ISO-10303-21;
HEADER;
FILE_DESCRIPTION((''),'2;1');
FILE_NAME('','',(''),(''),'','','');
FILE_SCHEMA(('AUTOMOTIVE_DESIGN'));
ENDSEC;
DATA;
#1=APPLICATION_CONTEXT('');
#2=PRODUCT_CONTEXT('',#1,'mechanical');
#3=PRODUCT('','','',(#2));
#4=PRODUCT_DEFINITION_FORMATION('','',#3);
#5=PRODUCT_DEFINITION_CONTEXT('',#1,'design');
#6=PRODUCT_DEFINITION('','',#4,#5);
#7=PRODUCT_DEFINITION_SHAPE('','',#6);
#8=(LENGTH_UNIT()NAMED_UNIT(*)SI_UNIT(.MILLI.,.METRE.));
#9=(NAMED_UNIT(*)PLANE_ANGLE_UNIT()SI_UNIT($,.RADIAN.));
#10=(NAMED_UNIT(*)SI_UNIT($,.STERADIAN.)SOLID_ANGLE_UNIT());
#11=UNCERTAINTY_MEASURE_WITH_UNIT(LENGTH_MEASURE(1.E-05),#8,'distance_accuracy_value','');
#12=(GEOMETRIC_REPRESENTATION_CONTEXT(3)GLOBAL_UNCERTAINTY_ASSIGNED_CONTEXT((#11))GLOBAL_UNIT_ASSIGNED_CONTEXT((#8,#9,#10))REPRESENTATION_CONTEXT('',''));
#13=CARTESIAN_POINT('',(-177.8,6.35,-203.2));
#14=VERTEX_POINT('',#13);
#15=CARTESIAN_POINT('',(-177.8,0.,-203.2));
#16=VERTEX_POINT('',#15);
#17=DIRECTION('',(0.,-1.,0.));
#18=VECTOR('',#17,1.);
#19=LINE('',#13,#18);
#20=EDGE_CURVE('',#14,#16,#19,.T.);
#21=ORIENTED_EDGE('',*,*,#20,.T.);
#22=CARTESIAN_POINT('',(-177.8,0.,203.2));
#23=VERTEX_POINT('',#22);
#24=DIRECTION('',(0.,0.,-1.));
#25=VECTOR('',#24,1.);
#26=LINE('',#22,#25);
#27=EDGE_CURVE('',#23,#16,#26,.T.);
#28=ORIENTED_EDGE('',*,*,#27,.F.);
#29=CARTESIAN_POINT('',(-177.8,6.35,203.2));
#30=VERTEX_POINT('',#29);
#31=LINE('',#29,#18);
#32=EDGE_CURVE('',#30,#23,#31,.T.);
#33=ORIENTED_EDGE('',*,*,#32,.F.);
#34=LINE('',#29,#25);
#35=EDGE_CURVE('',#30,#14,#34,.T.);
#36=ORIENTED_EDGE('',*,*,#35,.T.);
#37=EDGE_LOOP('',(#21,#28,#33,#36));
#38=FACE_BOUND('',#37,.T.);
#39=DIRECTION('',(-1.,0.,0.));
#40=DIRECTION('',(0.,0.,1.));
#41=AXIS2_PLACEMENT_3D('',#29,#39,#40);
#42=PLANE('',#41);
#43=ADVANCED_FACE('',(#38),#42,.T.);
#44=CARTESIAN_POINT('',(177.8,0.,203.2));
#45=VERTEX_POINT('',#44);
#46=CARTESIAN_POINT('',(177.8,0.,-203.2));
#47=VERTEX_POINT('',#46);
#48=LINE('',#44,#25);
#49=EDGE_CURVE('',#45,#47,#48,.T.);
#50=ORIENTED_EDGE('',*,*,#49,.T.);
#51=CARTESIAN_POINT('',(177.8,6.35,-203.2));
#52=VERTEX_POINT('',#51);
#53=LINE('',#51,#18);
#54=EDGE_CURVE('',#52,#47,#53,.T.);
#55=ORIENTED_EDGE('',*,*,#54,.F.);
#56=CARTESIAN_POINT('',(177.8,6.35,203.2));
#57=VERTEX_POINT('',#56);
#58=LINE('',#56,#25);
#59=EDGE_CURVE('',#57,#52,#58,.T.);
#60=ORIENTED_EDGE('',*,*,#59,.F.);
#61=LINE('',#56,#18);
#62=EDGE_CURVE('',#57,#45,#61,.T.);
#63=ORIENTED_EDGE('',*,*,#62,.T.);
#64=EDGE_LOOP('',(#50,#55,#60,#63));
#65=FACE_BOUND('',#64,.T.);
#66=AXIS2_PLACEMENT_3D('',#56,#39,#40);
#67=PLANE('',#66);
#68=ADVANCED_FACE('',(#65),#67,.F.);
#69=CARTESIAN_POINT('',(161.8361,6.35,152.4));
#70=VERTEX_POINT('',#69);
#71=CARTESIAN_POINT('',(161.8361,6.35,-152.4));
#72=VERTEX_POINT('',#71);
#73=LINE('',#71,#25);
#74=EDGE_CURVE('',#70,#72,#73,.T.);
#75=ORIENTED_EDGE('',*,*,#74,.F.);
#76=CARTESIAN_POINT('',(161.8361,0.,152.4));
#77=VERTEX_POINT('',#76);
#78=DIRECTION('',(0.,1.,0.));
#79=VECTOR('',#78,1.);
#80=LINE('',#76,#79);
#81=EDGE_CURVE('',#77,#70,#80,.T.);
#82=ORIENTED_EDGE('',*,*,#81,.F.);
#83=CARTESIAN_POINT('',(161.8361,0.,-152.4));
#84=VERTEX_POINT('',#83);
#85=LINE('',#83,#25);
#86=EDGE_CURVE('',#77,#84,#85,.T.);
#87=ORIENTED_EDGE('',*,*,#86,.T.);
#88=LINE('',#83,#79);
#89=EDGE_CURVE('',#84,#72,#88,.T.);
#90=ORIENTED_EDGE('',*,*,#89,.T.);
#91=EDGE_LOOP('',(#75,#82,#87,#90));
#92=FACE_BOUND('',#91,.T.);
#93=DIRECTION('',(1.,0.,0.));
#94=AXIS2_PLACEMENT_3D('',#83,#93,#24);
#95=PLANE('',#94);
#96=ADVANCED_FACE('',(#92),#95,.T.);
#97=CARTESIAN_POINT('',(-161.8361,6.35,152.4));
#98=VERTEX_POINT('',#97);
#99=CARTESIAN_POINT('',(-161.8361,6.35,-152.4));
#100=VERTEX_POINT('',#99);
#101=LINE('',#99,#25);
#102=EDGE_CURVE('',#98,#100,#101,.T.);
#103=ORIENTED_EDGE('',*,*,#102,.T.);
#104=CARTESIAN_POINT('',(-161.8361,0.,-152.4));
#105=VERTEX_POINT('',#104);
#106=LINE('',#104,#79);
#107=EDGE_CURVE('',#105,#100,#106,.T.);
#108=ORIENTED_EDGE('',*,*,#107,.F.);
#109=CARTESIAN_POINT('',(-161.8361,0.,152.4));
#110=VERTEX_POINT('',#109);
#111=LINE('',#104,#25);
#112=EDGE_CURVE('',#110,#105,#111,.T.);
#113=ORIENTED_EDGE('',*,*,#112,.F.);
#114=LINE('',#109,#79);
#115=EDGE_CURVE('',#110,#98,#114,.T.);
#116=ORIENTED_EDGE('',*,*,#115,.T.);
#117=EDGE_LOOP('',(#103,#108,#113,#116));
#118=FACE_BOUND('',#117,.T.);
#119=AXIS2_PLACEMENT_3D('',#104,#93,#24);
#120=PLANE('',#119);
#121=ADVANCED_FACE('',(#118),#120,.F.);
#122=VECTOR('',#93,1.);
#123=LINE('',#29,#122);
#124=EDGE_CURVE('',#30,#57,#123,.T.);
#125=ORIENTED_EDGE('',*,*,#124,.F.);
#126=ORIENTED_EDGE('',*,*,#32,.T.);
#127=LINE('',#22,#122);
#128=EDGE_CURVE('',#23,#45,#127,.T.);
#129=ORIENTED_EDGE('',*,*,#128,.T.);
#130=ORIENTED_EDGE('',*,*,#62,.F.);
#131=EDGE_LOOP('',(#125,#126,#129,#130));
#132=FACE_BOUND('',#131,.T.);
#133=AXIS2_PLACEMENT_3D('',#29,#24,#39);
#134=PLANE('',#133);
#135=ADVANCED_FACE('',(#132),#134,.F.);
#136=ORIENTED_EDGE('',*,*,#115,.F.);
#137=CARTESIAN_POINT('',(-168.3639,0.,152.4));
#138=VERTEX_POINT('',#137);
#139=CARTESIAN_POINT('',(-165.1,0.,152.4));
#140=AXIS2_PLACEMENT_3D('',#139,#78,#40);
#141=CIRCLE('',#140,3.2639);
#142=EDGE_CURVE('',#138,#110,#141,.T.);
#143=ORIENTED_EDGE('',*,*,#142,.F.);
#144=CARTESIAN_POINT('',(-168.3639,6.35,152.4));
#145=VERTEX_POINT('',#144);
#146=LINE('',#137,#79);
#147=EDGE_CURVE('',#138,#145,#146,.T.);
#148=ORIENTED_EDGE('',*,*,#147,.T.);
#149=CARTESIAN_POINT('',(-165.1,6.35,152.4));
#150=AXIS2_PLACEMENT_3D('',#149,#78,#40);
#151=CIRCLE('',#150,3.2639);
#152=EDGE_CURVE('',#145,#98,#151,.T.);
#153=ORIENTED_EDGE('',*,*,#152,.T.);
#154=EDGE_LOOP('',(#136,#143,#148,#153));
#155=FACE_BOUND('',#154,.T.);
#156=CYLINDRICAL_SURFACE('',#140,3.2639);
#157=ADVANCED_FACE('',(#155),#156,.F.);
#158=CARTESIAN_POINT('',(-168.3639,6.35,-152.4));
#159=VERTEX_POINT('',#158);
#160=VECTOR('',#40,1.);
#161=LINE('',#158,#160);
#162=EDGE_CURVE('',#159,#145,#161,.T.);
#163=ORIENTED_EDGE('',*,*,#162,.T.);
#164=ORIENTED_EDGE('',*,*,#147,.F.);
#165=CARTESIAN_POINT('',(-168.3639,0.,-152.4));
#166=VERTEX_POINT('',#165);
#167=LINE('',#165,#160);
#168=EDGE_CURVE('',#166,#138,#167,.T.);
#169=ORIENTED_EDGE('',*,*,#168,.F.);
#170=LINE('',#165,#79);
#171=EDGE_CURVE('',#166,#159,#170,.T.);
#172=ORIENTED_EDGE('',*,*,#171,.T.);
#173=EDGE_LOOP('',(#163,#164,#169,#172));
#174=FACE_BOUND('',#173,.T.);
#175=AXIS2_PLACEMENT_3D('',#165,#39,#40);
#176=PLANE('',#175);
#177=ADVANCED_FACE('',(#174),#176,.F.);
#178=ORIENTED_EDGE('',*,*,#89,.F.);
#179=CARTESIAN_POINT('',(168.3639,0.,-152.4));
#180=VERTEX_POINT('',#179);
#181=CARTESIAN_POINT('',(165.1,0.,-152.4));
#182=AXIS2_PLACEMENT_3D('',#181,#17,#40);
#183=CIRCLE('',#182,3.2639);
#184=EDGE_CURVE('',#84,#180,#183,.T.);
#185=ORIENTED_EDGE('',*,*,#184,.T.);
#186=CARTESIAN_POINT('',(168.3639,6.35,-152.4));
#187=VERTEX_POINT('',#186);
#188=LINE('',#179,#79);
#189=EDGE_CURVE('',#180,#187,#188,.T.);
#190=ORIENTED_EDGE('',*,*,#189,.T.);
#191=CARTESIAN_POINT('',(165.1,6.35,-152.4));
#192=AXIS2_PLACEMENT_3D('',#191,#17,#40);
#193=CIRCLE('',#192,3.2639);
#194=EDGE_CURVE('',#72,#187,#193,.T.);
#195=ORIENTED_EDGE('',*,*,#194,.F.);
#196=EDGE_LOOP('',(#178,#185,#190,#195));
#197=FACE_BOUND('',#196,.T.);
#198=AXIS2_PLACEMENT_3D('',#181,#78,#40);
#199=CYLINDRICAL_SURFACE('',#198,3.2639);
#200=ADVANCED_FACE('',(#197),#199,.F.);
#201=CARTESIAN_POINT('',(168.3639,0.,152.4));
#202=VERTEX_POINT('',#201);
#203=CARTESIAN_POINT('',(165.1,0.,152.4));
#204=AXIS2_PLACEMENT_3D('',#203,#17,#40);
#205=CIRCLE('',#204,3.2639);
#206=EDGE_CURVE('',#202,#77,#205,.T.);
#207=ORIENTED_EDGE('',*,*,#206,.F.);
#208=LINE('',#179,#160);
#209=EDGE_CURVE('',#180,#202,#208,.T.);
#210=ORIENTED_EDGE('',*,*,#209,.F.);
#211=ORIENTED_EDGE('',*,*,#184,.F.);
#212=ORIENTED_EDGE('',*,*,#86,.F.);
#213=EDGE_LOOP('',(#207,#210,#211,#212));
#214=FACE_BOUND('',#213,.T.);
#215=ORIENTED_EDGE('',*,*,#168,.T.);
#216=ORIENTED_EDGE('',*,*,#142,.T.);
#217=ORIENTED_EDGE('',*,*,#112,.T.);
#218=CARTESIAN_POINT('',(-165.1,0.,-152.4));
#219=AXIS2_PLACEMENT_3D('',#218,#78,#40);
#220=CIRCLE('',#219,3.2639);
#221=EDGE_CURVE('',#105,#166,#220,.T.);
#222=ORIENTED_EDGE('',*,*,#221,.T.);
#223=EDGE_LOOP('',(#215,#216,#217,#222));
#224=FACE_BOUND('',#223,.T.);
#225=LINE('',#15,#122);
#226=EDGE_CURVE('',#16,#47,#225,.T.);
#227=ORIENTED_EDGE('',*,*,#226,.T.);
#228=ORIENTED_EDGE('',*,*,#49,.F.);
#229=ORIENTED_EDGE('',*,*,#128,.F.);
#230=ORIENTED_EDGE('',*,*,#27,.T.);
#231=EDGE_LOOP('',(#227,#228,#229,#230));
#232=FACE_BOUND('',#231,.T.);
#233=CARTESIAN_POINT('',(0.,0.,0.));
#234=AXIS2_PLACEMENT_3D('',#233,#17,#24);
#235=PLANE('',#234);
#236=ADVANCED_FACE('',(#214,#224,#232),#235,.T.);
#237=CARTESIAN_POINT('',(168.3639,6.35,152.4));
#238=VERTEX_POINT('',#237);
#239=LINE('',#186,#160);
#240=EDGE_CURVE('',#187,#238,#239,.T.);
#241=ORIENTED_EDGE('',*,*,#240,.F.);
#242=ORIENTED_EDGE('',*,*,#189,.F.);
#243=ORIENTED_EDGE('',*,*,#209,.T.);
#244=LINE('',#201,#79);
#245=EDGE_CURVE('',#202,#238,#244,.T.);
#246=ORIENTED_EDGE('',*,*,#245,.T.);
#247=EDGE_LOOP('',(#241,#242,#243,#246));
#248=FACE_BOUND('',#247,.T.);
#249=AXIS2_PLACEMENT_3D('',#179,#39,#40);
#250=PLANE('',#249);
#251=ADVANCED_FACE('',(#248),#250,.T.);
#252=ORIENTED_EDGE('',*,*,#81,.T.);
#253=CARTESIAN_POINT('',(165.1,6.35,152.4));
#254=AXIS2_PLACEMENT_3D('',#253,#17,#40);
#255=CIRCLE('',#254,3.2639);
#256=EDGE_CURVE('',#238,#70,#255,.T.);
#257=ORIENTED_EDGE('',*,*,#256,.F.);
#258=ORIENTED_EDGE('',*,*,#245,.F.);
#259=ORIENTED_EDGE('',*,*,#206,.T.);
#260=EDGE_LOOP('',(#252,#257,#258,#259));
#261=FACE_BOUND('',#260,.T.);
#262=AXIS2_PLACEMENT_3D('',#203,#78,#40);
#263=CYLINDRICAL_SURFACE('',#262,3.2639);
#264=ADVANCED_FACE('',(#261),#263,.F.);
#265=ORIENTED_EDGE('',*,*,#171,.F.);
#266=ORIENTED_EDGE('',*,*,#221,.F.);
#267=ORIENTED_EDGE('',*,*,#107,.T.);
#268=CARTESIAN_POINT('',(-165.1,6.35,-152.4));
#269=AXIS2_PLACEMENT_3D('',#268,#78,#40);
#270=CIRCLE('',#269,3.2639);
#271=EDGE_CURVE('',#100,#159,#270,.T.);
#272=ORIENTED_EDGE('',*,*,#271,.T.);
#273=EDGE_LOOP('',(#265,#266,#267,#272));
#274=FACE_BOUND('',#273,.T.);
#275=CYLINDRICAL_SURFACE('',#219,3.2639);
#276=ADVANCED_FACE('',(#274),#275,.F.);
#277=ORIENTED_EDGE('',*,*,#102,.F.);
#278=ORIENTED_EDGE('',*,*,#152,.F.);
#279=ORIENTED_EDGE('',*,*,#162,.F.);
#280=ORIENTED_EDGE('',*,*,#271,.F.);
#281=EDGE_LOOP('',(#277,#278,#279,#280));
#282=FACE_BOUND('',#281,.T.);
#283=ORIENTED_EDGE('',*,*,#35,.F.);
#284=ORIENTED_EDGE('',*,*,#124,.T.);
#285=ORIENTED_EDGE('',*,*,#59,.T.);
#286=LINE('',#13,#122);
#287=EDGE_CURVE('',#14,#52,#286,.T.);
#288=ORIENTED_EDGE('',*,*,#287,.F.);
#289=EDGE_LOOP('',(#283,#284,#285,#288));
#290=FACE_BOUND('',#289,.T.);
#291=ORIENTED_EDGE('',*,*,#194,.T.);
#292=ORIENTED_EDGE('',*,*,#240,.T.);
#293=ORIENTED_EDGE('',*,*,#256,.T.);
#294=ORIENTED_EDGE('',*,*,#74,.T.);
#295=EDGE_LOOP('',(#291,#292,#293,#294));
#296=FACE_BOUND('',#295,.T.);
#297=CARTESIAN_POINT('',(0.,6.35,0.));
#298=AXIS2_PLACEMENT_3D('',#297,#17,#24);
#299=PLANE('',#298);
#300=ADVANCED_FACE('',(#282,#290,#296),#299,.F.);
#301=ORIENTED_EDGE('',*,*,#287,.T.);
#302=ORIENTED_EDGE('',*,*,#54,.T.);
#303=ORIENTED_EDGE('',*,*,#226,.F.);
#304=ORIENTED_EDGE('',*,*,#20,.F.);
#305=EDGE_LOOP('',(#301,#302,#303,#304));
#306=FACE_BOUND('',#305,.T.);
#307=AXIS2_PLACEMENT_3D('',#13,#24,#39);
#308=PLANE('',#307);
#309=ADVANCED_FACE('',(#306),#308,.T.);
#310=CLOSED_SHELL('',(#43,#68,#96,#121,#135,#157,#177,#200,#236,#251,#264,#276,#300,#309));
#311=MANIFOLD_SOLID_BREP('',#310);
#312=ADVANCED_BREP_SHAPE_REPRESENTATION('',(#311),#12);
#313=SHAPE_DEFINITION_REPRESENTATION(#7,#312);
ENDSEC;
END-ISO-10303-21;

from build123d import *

# Parameters (mm, degrees)
SKETCH1_W           = 355.6
SKETCH1_H           = 406.4
BOSS_EXTRUDE1_DEPTH = 6.35
CUT_EXTRUDE1_DEPTH  = 6.35


with BuildPart() as part:
    # Sketch1 → Boss-Extrude1 (new body)
    with BuildSketch(Plane(origin=(0, 0, 0), x_dir=(1, 0, 0), z_dir=(0, 1, 0))):
        Rectangle(SKETCH1_W, SKETCH1_H)
    extrude(amount=BOSS_EXTRUDE1_DEPTH)

    # Sketch2 → Cut-Extrude1 (cut)
    with BuildSketch(Plane(origin=(0, 6.35, 0), x_dir=(1, 0, 0), z_dir=(0, 1, 0))):
        with BuildLine():
            Line((-161.8361, 152.4), (-161.8361, -152.4))
            ThreePointArc((-161.8361, -152.4), (-165.1, -155.6639), (-168.3639, -152.4))
            Line((-168.3639, -152.4), (-168.3639, 152.4))
            ThreePointArc((-168.3639, 152.4), (-165.1, 155.6639), (-161.8361, 152.4))
        make_face()
    cut_extrude1 = extrude(amount=-CUT_EXTRUDE1_DEPTH, mode=Mode.SUBTRACT)

    # Mirror1: Cut-Extrude1 across plane
    add(cut_extrude1.mirror(Plane(origin=(0, 0, 0), x_dir=(0, 0, 1), z_dir=(1, 0, 0))), mode=Mode.SUBTRACT)


solid = part.part
